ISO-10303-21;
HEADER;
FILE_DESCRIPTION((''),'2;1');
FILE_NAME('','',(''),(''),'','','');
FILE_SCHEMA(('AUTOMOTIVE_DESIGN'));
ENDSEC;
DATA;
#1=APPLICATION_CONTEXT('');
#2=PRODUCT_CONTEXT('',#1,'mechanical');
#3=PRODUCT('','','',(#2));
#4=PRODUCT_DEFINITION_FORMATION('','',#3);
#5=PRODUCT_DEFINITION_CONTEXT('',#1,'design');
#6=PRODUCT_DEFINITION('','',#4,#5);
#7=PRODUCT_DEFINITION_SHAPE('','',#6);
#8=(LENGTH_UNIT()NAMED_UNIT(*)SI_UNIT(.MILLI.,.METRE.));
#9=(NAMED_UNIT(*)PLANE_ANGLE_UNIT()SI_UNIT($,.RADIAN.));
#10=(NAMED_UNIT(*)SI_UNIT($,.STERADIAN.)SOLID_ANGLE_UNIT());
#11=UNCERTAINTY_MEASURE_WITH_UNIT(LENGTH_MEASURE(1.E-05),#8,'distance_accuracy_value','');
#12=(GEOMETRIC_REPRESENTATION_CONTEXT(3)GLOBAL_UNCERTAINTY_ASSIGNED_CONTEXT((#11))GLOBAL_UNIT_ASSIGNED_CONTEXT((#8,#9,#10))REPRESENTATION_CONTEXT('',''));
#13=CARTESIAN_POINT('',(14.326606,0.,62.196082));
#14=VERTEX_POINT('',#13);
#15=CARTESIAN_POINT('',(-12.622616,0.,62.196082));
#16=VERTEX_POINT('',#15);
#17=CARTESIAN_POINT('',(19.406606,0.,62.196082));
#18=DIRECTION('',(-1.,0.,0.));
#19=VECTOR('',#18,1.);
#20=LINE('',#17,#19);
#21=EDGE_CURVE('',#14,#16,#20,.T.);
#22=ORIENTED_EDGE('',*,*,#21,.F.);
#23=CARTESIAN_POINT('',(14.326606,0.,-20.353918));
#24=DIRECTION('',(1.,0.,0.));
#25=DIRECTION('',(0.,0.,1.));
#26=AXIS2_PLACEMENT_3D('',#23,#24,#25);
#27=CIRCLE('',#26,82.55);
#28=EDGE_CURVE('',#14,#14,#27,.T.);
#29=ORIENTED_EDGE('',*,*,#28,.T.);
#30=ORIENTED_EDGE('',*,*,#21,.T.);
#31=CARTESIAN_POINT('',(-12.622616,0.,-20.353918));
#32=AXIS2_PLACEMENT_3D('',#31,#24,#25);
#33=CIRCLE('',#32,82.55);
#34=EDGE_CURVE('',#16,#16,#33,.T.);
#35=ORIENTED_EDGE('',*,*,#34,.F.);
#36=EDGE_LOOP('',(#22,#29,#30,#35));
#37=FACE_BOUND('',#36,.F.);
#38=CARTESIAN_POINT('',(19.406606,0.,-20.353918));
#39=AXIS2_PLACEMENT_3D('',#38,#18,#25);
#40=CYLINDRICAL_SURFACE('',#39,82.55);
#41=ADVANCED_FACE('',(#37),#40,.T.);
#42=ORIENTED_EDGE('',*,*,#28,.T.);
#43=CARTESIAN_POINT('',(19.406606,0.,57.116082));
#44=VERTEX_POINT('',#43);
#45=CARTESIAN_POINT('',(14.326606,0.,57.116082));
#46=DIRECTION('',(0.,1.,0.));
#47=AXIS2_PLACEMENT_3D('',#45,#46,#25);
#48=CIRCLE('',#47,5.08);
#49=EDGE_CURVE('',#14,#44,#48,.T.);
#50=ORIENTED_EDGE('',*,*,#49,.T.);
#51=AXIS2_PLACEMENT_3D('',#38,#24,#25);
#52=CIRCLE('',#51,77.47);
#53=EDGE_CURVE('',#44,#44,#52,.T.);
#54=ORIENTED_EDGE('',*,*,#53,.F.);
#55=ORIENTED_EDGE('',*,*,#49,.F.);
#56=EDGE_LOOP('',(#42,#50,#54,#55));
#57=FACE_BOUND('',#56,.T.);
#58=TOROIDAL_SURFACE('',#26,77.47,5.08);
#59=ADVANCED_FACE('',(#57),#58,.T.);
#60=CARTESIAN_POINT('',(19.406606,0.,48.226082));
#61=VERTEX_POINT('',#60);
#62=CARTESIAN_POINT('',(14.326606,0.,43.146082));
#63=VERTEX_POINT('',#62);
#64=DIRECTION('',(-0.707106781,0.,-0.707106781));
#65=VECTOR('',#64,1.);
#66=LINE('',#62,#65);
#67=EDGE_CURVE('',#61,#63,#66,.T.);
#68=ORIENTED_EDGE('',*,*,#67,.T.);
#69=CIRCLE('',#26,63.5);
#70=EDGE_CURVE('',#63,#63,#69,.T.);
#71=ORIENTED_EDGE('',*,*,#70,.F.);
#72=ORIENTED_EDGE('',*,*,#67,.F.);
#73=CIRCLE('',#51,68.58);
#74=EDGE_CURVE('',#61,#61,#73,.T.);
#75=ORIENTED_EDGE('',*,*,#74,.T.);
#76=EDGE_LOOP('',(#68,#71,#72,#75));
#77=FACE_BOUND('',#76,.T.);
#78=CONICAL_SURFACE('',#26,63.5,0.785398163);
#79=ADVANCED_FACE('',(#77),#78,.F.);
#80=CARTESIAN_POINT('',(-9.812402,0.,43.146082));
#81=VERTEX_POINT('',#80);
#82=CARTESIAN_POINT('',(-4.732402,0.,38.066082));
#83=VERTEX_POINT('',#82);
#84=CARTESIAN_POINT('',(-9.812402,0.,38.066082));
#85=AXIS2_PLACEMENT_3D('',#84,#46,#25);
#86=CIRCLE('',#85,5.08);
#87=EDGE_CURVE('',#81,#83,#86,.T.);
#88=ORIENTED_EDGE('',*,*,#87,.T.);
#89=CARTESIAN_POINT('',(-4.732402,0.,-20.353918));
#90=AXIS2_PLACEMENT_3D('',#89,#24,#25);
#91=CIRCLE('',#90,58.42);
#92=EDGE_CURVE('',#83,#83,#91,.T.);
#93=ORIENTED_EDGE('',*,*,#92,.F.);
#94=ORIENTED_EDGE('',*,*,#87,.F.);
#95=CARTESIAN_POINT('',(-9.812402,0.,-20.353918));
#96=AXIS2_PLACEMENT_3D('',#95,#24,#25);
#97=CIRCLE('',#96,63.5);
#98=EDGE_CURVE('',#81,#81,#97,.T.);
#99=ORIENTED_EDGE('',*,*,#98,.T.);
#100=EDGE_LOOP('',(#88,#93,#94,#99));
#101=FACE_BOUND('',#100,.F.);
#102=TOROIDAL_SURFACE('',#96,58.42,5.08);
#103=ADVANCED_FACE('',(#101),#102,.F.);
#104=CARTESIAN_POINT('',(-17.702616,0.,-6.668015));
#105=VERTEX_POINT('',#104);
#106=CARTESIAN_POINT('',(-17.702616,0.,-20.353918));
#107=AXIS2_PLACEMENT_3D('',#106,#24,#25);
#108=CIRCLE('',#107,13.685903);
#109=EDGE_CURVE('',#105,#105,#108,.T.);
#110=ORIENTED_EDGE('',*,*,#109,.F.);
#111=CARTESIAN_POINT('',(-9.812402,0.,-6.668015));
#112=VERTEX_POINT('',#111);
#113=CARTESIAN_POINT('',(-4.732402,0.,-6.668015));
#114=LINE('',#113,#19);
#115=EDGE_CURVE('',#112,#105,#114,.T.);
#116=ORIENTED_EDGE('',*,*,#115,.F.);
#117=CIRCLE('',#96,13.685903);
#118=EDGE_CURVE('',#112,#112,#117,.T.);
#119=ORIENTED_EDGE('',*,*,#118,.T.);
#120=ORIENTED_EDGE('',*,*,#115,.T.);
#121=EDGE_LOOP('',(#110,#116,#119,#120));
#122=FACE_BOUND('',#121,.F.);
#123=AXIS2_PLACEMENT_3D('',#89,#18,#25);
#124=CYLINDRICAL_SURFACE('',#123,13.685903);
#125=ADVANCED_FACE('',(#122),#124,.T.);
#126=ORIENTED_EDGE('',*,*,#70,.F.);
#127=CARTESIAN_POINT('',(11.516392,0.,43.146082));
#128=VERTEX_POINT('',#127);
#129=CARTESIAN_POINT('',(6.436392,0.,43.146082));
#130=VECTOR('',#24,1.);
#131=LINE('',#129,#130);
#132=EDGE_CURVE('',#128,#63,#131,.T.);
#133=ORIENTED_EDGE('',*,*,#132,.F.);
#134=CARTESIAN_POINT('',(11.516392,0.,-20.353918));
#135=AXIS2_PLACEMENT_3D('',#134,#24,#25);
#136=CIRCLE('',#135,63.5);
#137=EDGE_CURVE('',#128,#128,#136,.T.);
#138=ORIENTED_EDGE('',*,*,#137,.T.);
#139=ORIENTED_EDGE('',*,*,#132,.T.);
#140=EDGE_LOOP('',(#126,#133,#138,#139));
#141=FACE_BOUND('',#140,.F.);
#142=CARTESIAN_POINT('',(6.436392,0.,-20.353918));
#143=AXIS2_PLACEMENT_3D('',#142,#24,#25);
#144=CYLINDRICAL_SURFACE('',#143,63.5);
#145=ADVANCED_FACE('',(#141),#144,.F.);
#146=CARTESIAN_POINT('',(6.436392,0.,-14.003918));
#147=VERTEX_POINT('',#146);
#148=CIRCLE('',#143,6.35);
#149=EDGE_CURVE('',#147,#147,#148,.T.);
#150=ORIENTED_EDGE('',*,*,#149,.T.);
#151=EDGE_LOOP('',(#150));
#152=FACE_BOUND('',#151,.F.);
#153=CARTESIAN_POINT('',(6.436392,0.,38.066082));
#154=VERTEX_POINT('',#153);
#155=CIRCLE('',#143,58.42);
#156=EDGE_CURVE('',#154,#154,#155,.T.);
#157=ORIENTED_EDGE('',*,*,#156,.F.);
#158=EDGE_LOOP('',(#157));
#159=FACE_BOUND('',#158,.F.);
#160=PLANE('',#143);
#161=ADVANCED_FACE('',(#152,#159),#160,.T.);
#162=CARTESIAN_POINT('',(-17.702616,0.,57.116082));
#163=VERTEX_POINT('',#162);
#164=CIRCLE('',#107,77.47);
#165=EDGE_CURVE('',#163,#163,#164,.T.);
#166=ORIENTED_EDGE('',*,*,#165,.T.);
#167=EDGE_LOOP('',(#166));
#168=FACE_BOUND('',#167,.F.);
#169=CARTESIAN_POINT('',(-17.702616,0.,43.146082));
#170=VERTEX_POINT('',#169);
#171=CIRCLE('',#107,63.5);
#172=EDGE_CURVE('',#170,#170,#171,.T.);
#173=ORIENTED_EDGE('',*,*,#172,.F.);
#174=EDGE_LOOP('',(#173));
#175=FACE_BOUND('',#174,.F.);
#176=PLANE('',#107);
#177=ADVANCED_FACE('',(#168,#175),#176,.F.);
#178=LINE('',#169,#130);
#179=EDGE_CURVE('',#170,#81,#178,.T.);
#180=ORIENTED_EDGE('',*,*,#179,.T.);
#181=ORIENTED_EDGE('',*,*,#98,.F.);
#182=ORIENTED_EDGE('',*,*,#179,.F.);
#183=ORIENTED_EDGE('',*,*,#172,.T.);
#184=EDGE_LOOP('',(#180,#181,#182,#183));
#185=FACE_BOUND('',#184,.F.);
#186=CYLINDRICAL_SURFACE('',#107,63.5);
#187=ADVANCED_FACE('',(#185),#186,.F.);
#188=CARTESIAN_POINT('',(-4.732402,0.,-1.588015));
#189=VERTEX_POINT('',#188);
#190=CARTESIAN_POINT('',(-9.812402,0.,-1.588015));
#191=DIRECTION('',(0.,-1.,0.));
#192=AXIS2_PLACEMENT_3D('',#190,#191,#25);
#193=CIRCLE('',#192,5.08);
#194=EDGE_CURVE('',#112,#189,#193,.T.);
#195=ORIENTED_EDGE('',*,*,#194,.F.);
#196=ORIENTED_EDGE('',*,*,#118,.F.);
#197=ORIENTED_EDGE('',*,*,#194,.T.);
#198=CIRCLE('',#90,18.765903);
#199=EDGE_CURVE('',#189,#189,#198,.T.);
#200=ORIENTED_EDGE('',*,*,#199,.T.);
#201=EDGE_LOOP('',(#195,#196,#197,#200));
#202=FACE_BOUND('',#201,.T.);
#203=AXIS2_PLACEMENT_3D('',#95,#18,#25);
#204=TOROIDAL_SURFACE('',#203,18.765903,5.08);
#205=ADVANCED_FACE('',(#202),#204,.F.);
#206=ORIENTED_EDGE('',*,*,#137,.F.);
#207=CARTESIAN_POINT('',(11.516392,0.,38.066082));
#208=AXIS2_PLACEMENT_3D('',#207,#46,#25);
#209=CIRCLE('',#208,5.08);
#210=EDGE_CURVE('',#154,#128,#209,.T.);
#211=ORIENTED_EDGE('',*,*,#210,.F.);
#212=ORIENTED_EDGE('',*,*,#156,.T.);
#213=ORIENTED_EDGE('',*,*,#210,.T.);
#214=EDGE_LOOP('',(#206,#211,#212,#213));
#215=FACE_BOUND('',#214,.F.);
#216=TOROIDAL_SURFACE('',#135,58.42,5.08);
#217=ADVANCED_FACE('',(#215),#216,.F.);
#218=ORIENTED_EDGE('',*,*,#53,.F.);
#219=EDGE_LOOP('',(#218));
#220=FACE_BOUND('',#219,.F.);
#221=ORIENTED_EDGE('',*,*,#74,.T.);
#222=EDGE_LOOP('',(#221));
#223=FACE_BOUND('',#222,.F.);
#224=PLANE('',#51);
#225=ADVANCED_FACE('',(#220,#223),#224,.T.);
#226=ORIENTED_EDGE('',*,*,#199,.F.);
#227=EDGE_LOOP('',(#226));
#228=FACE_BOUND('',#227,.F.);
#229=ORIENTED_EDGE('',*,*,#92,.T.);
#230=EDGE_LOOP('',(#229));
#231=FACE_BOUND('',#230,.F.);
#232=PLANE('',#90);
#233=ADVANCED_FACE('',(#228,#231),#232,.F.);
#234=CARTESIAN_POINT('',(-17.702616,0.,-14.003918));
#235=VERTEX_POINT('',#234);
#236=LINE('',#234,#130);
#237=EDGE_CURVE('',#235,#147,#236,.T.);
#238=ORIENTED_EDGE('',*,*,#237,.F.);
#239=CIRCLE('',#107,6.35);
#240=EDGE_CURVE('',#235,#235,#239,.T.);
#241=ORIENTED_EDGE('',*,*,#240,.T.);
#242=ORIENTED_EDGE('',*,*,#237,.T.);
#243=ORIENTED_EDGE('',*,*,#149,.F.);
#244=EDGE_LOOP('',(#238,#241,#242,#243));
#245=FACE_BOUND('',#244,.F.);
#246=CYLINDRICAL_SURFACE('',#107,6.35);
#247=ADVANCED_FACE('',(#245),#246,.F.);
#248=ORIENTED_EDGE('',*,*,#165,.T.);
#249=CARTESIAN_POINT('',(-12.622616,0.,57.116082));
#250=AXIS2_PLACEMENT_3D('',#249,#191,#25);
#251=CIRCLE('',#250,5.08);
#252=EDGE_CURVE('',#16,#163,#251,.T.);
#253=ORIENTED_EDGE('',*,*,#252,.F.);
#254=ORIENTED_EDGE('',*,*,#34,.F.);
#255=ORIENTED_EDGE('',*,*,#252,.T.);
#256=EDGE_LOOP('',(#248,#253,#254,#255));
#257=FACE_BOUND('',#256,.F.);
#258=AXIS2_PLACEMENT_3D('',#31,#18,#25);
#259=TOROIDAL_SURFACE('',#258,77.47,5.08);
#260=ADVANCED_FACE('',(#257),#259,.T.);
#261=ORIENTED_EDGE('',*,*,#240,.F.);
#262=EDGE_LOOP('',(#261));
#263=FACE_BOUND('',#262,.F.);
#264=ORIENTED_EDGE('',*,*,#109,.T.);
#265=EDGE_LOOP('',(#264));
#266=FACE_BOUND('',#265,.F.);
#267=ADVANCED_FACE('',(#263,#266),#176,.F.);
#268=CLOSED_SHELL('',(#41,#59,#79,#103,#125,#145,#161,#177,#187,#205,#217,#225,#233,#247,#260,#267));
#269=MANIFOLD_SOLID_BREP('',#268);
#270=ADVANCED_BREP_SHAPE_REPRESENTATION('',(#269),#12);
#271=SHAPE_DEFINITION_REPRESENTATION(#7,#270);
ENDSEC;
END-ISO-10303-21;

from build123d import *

# Parameters (mm, degrees)
F2_R    = 5.08
F3_SIZE = 5.08
F4_R    = 5.08


with BuildPart() as f1:
    # F0 (on Front) → F1 (revolve)
    with BuildSketch(Plane.XZ):
        Polygon((19.406605757, 62.1960816438), (-17.702616065, 62.1960816438), (-17.702616065, 43.1460816438), (-4.7324024234, 43.1460816438), (-4.7324024234, -6.6680153832), (-17.702616065, -6.6680153832), (-17.702616065, -14.0039183562), (-4.7324024234, -14.0039183562), (6.4363921154, -14.0039183562), (6.4363921154, 43.1460816438), (19.406605757, 43.1460816438), align=None)
    revolve(axis=Axis((6.8320201244, 0, -20.3539183562), (1, 0, 0)))

    # F2
    f2_edges = [f1.edges().sort_by_distance(p)[0] for p in [
        (-4.732402, 0, -83.853918),
        (6.436392, 0, -83.853918),
        (19.406606, 0, -102.903918),
        (-17.702616, 0, -102.903918),
    ]]
    fillet(f2_edges, radius=F2_R)

    # F3
    f3_edges = [f1.edges().sort_by_distance(p)[0] for p in [
        (19.406606, 0, -83.853918),
    ]]
    chamfer(f3_edges, length=F3_SIZE)

    # F4
    f4_edges = [f1.edges().sort_by_distance(p)[0] for p in [
        (-4.732402, 0, -34.039821),
    ]]
    fillet(f4_edges, radius=F4_R)


solid = f1.part
